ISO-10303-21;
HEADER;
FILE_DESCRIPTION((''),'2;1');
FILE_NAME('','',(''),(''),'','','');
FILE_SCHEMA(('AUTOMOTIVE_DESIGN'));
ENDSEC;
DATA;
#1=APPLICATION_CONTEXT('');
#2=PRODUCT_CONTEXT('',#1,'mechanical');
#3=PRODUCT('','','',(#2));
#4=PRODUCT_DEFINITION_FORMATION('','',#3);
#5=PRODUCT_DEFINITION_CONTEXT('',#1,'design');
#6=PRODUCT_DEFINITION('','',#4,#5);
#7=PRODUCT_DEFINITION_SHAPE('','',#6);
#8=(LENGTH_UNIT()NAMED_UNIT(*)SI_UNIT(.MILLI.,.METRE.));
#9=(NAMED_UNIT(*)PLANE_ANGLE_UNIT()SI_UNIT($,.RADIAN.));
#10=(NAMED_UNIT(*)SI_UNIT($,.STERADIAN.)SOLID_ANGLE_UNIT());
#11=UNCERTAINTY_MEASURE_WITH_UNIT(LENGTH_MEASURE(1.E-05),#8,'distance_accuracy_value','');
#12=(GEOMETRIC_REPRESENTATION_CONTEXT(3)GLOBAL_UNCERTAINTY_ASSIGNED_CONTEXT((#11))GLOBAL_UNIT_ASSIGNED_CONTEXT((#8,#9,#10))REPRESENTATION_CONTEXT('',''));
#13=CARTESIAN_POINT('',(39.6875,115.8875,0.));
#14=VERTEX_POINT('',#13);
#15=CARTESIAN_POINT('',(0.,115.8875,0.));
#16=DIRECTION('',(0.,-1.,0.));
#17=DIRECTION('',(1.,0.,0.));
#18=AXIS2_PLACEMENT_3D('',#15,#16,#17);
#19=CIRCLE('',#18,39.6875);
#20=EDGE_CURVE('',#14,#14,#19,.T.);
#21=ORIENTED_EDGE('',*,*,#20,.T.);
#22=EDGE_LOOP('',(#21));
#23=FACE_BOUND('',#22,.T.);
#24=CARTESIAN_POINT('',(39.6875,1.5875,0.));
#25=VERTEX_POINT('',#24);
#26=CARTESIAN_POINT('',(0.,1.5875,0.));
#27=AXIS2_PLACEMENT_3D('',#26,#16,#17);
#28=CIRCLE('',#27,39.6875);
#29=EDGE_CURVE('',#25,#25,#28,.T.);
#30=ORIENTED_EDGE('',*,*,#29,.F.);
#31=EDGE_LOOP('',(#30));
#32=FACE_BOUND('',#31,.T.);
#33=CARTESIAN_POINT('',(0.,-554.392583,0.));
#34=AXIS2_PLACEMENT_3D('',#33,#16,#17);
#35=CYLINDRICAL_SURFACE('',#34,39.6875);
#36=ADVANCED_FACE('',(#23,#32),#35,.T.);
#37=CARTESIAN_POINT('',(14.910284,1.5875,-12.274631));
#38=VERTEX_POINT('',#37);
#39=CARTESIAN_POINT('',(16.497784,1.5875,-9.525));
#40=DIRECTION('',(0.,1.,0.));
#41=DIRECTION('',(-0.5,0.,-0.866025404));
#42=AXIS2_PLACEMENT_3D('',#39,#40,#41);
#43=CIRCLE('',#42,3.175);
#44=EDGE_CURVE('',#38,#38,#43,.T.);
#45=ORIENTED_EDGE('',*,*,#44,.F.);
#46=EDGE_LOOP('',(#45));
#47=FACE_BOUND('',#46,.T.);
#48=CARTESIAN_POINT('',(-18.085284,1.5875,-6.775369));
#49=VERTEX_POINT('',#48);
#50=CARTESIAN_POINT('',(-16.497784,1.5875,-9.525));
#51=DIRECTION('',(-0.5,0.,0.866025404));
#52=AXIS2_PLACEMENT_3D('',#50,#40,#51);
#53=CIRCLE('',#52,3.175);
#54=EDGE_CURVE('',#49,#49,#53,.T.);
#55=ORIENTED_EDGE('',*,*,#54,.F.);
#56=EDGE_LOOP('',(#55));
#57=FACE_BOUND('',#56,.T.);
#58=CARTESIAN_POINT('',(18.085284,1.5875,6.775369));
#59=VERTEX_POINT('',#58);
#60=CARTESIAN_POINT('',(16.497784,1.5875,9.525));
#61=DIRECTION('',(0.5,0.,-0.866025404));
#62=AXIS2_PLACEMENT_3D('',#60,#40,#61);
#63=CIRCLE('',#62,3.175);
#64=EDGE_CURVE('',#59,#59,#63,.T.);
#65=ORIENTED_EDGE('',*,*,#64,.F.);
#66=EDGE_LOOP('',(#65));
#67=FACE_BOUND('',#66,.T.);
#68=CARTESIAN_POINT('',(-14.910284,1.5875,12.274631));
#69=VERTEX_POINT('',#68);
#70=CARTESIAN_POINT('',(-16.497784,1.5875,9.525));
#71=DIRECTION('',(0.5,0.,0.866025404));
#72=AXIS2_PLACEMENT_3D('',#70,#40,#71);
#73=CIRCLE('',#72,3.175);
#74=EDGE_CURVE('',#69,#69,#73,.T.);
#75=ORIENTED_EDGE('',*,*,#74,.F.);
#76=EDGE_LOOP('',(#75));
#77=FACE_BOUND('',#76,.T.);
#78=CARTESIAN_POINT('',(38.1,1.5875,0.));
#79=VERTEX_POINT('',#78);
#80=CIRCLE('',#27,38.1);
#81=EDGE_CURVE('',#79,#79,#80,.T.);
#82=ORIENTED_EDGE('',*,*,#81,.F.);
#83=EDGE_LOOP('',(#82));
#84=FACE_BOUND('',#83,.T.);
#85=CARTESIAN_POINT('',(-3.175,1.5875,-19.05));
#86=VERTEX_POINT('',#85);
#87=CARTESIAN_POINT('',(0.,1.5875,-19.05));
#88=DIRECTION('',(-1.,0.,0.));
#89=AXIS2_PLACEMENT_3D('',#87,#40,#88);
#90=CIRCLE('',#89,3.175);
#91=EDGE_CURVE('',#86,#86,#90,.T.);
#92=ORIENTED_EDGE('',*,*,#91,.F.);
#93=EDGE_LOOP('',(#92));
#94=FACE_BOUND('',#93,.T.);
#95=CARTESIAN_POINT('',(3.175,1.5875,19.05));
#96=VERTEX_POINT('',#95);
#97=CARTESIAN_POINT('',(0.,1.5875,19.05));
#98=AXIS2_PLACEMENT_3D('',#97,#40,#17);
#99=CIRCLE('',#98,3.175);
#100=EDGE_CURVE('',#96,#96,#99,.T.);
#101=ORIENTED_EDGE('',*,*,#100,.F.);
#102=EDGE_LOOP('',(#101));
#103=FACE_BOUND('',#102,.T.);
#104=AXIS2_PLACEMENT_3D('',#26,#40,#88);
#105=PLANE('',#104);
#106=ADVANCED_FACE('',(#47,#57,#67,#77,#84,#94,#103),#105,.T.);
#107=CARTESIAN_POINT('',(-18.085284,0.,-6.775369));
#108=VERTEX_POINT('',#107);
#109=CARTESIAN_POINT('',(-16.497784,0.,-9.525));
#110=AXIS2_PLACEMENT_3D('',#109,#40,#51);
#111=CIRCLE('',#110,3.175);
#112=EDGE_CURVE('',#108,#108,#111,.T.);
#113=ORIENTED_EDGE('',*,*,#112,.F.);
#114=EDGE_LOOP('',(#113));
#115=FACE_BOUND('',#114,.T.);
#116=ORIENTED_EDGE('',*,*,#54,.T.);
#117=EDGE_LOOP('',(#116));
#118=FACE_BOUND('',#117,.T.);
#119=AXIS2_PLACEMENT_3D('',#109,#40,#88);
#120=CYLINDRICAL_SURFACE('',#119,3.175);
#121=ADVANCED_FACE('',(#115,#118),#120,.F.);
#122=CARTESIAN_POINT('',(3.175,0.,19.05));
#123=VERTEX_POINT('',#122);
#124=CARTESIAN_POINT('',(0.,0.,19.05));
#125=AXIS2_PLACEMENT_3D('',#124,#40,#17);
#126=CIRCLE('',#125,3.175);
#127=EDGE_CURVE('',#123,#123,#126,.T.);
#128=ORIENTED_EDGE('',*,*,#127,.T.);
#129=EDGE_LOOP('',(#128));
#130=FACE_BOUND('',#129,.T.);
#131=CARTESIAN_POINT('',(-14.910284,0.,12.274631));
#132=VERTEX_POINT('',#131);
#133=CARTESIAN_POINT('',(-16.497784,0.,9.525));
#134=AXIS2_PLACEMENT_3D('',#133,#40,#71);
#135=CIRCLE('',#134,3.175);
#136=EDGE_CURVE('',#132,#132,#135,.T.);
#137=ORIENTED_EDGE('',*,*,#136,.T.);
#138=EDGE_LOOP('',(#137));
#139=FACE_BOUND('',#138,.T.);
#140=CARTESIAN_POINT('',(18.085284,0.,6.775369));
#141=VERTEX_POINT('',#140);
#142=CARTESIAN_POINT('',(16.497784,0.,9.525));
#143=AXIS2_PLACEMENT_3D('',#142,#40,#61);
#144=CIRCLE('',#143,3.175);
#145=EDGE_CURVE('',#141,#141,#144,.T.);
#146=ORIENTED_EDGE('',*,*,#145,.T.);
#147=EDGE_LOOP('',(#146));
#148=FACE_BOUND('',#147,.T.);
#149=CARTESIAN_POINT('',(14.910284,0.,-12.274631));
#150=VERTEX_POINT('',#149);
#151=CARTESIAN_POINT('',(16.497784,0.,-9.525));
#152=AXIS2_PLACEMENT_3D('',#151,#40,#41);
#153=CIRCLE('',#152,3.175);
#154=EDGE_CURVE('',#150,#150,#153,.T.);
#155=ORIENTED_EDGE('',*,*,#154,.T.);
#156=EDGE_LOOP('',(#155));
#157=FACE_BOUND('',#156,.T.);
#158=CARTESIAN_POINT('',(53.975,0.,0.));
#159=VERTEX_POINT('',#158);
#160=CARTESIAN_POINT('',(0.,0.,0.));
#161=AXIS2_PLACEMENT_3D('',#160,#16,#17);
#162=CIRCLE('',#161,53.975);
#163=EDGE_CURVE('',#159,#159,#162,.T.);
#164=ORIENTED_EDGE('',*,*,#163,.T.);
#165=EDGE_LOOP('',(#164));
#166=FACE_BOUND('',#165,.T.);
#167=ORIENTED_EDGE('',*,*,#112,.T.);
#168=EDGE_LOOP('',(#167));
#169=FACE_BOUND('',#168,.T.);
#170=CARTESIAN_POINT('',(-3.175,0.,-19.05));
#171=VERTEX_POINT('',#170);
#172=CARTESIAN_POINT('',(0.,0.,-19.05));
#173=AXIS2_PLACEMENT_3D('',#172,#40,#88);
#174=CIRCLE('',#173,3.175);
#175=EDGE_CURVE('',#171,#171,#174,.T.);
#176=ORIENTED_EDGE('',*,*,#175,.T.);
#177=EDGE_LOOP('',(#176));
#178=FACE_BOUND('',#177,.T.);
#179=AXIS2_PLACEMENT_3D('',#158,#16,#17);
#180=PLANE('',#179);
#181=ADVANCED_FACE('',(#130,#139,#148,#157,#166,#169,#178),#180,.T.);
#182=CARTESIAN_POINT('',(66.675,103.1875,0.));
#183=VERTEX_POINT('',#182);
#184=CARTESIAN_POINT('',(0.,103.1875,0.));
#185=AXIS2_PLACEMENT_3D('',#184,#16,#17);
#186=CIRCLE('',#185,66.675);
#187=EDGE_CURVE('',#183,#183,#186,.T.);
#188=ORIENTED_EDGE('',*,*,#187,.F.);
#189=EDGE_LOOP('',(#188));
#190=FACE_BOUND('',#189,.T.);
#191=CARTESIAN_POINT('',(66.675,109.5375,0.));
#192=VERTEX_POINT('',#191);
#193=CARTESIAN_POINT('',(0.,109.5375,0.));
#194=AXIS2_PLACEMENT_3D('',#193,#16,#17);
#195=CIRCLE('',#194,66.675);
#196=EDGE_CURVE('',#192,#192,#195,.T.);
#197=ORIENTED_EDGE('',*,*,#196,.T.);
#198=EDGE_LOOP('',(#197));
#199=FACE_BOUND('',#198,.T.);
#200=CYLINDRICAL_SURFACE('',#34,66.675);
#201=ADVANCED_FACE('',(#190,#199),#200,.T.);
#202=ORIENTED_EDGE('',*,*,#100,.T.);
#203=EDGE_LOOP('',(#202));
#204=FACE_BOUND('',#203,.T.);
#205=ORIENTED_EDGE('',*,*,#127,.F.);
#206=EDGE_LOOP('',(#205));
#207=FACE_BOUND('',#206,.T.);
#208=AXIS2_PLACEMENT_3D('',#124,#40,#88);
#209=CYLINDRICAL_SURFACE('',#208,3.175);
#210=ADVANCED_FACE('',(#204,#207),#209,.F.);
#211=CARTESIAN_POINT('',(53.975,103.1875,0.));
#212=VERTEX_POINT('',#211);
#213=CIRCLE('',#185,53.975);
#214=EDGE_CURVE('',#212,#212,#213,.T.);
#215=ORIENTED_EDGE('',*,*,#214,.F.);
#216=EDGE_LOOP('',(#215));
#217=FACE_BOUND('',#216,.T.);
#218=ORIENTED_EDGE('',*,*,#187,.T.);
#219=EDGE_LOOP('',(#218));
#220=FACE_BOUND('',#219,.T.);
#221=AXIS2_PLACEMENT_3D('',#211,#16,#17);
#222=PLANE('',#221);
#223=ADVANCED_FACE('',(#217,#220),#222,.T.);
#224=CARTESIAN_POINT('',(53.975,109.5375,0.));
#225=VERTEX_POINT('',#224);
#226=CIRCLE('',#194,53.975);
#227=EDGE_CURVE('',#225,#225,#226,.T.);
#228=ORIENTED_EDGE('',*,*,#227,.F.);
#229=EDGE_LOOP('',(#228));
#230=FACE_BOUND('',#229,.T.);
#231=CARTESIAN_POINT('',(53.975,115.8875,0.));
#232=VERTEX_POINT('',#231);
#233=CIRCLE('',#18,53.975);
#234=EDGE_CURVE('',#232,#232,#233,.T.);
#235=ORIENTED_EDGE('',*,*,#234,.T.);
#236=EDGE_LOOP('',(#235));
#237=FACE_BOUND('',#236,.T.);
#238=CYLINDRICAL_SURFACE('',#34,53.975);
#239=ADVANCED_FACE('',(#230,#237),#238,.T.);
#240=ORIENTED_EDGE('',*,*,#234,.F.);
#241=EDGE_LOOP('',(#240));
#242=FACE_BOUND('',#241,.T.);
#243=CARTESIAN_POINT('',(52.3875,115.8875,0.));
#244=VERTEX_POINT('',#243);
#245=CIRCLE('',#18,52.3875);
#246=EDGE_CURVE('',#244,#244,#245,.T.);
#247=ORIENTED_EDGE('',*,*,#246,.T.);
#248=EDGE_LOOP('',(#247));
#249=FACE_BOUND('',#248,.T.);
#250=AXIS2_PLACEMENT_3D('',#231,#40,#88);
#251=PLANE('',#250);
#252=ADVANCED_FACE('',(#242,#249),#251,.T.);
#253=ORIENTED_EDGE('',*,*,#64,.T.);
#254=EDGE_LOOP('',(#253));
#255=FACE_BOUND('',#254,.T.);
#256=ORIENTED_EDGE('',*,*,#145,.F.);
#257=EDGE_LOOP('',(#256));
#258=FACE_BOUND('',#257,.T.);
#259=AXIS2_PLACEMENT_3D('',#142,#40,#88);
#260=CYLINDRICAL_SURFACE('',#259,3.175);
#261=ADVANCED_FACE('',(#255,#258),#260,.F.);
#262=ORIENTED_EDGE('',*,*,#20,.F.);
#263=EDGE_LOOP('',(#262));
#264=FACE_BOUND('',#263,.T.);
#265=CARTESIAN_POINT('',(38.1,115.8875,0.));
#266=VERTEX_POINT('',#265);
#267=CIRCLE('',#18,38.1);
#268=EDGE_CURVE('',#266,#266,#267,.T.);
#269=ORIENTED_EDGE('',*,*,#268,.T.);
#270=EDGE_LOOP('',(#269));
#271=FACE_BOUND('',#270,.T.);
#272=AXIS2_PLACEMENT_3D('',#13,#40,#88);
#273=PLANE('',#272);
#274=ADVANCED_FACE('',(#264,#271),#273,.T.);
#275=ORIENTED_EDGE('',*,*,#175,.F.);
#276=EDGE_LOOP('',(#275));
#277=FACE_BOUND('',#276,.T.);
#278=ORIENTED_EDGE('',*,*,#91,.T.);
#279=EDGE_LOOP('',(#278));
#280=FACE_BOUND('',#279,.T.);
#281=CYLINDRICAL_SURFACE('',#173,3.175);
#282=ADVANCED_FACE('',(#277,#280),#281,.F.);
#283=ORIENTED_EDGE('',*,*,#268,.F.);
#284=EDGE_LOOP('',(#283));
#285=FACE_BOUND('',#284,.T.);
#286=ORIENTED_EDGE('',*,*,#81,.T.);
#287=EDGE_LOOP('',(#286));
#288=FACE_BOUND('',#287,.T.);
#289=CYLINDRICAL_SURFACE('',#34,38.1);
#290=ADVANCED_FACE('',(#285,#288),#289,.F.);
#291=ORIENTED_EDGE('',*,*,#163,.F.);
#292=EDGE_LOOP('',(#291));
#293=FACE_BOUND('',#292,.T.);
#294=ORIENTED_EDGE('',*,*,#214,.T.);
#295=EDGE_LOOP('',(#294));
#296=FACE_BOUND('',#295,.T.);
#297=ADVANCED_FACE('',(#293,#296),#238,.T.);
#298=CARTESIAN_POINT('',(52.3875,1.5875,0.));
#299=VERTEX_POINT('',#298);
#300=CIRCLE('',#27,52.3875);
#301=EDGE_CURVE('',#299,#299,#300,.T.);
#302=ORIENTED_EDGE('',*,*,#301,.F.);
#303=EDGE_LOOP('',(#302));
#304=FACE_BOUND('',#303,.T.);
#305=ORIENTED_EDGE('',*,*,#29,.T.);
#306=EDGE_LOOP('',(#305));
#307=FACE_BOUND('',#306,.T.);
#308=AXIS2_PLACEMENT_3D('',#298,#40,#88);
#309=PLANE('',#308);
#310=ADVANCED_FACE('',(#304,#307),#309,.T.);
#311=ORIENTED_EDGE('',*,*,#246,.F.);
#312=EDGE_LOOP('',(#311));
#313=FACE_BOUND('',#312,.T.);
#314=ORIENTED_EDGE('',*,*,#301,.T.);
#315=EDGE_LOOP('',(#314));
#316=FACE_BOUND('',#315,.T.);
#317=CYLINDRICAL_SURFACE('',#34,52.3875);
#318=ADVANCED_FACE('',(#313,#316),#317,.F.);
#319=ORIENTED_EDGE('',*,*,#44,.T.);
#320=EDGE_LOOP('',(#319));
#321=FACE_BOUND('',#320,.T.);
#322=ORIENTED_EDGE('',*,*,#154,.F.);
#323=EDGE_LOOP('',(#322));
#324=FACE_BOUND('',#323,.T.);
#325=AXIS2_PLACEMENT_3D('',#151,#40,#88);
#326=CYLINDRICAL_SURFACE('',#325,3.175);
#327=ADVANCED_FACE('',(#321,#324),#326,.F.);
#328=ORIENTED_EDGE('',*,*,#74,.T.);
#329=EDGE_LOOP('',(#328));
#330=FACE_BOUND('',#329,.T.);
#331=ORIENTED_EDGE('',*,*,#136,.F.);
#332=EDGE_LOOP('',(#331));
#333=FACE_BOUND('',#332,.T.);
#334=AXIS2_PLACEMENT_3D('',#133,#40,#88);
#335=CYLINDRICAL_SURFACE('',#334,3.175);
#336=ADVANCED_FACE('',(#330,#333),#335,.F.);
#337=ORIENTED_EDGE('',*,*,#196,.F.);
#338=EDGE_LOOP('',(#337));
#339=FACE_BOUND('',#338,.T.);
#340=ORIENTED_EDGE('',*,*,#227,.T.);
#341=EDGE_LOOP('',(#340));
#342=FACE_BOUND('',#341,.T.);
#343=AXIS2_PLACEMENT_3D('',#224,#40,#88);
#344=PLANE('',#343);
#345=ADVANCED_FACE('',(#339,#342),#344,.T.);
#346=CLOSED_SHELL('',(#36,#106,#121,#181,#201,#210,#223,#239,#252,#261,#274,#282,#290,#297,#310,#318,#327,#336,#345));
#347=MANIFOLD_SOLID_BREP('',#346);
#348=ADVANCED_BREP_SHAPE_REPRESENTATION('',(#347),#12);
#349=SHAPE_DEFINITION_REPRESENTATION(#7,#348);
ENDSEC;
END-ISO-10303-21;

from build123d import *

# Parameters (mm, degrees)
SKETCH2_R          = 3.175
CUT_EXTRUDE1_DEPTH = 2.5875
CIRPATTERN1_COUNT  = 6


with BuildPart() as part:
    # Sketch1 → Revolve1 (revolve)
    with BuildSketch(Plane.XY):
        Polygon((53.975, 0), (30.744042103, 0), (0, 0), (0, 1.5875), (38.1, 1.5875), (38.1, 115.8875), (39.6875, 115.8875), (39.6875, 1.5875), (52.3875, 1.5875), (52.3875, 115.8875), (53.975, 115.8875), (53.975, 109.5375), (66.675, 109.5375), (66.675, 103.1875), (53.975, 103.1875), align=None)
    revolve(axis=Axis((0, -554.392583441, 0), (0, 1, 0)))

    # Sketch2 → Cut-Extrude1 (cut, through all)
    with BuildSketch(Plane(origin=(0, 1.5875, 0), x_dir=(1, 0, 0), z_dir=(0, 1, 0))):
        with Locations(Location((0, 19.05, 0), (0, 0, 180))):  # turned: the seam where the file's is
            Circle(SKETCH2_R)
    cut_extrude1 = extrude(amount=-CUT_EXTRUDE1_DEPTH, mode=Mode.SUBTRACT)

    # CirPattern1: Cut-Extrude1 ×6 about axis
    cirpattern1_axis = Axis((0, 0, 0), (0, 1, 0))
    for i in range(1, CIRPATTERN1_COUNT):
        add(cut_extrude1.rotate(cirpattern1_axis, i * 360 / CIRPATTERN1_COUNT), mode=Mode.SUBTRACT)


solid = part.part
